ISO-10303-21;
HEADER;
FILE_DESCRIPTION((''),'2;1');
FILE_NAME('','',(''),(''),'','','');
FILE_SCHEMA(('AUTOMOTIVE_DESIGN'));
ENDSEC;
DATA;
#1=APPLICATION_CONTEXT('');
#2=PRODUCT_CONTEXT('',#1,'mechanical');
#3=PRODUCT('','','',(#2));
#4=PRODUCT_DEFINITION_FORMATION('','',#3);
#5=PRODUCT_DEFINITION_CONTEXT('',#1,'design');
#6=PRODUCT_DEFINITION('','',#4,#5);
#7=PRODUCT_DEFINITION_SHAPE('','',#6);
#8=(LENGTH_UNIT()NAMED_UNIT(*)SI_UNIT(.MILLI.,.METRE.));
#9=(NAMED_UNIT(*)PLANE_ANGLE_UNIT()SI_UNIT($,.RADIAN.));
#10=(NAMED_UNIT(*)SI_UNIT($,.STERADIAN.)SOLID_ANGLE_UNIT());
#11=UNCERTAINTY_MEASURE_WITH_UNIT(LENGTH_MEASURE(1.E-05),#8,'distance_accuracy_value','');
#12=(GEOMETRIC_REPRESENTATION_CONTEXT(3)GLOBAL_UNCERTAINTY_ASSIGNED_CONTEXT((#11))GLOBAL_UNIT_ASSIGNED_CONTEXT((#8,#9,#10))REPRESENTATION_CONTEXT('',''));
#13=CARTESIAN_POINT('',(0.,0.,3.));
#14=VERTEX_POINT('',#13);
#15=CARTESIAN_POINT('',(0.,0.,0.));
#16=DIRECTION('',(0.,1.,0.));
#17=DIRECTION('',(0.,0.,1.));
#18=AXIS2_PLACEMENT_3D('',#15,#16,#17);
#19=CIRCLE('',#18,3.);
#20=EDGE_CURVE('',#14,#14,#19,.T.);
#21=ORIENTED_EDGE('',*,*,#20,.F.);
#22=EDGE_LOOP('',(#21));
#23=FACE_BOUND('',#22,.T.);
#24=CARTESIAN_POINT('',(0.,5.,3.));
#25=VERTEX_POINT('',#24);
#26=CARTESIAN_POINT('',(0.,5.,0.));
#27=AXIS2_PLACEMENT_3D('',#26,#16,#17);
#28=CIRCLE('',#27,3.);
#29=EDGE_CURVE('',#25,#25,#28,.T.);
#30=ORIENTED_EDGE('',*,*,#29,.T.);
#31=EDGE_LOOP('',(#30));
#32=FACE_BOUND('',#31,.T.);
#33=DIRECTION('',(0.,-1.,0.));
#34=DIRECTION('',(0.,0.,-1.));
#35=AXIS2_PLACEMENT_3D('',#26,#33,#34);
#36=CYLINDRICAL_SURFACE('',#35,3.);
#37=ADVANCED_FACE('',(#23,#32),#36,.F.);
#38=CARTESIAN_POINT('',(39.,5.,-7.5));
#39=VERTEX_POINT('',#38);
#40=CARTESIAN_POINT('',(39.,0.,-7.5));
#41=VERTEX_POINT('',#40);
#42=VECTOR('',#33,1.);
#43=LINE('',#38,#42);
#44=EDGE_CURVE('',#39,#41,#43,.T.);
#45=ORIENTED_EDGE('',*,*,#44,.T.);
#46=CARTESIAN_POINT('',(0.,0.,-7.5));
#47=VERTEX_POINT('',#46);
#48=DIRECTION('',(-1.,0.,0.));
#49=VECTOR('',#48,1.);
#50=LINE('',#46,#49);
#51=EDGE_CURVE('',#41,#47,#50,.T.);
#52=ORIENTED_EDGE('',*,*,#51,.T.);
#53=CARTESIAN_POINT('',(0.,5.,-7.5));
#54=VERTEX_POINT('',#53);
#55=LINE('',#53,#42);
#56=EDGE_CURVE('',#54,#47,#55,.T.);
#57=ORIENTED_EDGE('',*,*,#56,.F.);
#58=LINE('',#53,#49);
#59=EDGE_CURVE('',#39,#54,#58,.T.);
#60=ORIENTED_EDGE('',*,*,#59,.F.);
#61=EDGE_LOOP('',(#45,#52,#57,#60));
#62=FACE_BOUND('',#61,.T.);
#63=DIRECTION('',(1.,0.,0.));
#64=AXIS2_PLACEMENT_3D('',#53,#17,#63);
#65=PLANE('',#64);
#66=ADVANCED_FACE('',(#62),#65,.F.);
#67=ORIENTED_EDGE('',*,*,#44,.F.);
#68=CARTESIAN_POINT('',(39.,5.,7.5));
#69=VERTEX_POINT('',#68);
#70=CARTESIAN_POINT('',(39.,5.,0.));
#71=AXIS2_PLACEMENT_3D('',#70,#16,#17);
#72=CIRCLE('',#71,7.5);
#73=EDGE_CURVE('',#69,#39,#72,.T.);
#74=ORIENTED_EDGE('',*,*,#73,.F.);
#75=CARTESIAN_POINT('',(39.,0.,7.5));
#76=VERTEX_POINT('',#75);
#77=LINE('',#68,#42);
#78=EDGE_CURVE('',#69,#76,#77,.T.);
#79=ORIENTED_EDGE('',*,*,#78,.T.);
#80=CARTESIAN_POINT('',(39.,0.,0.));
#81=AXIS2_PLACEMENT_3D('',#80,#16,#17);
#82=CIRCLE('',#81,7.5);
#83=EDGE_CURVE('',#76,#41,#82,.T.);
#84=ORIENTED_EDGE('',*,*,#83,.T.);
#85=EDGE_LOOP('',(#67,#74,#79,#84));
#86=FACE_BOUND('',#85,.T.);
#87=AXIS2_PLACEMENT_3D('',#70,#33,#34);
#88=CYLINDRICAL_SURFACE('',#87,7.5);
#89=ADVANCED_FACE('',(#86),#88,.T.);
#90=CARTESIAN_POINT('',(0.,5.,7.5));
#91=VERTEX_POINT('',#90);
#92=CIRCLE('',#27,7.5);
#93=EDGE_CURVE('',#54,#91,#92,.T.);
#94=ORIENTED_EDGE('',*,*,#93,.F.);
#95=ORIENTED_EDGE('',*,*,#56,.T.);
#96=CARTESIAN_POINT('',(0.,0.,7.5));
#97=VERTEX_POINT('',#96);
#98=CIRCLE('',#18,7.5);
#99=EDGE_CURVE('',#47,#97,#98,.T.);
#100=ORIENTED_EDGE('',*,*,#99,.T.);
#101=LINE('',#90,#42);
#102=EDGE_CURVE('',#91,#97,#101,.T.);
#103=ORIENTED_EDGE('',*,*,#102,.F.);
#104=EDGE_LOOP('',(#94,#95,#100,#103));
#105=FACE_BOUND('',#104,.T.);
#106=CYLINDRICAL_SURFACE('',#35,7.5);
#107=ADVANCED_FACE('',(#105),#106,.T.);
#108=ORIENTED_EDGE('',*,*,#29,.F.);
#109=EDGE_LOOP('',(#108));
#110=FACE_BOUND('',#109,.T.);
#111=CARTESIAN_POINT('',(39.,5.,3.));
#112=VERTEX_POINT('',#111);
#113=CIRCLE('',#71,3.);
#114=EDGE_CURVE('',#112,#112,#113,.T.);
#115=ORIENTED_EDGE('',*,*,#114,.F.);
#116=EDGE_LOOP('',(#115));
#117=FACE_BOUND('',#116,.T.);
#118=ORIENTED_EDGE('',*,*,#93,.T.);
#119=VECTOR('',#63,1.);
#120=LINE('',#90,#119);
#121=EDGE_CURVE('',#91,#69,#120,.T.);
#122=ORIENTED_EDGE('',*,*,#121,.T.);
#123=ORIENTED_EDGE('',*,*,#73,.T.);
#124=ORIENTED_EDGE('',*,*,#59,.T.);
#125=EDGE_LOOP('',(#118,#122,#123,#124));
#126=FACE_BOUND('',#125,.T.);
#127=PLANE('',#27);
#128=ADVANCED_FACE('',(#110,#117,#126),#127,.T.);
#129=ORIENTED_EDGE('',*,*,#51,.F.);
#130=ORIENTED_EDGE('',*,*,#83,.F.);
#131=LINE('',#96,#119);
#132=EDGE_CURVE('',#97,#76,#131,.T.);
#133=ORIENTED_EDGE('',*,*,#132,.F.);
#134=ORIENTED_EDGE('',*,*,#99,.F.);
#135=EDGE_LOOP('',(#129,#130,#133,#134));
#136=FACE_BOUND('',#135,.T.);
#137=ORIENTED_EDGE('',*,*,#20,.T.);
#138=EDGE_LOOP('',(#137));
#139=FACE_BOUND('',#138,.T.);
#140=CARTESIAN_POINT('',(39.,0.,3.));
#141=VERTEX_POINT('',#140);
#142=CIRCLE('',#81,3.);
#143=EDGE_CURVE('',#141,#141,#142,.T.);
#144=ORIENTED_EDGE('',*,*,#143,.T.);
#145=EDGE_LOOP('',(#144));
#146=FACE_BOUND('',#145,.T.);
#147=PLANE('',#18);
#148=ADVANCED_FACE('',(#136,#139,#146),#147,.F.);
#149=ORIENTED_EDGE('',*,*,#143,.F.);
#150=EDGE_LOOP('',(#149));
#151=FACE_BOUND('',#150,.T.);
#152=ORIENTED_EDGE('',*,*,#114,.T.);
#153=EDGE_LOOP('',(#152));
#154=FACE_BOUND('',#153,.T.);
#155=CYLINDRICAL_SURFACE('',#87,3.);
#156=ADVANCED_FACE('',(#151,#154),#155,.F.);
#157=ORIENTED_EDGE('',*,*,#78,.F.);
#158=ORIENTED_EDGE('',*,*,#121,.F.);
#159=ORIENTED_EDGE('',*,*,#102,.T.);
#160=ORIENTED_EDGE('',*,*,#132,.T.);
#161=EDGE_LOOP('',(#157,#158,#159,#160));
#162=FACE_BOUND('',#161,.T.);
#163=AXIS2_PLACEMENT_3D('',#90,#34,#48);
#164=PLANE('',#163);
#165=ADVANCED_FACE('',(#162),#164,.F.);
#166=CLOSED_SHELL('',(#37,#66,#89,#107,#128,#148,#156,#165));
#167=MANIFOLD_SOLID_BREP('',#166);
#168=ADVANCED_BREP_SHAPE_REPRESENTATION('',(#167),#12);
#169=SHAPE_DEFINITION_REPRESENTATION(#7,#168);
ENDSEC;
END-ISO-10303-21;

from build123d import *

# Parameters (mm, degrees)
SKETCH1_R           = 3
BOSS_EXTRUDE1_DEPTH = 5


with BuildPart() as part:
    # Sketch1 → Boss-Extrude1 (new body)
    with BuildSketch(Plane(origin=(0, 0, 0), x_dir=(1, 0, 0), z_dir=(0, 1, 0))):
        with BuildLine():
            Line((0, 7.5), (39, 7.5))
            ThreePointArc((39, 7.5), (46.5, 0), (39, -7.5))
            Line((39, -7.5), (0, -7.5))
            ThreePointArc((0, -7.5), (-7.5, 0), (0, 7.5))
        make_face()
        with Locations((39, 0)):
            Circle(SKETCH1_R, mode=Mode.SUBTRACT)
        Circle(SKETCH1_R, mode=Mode.SUBTRACT)
    extrude(amount=BOSS_EXTRUDE1_DEPTH)


solid = part.part
